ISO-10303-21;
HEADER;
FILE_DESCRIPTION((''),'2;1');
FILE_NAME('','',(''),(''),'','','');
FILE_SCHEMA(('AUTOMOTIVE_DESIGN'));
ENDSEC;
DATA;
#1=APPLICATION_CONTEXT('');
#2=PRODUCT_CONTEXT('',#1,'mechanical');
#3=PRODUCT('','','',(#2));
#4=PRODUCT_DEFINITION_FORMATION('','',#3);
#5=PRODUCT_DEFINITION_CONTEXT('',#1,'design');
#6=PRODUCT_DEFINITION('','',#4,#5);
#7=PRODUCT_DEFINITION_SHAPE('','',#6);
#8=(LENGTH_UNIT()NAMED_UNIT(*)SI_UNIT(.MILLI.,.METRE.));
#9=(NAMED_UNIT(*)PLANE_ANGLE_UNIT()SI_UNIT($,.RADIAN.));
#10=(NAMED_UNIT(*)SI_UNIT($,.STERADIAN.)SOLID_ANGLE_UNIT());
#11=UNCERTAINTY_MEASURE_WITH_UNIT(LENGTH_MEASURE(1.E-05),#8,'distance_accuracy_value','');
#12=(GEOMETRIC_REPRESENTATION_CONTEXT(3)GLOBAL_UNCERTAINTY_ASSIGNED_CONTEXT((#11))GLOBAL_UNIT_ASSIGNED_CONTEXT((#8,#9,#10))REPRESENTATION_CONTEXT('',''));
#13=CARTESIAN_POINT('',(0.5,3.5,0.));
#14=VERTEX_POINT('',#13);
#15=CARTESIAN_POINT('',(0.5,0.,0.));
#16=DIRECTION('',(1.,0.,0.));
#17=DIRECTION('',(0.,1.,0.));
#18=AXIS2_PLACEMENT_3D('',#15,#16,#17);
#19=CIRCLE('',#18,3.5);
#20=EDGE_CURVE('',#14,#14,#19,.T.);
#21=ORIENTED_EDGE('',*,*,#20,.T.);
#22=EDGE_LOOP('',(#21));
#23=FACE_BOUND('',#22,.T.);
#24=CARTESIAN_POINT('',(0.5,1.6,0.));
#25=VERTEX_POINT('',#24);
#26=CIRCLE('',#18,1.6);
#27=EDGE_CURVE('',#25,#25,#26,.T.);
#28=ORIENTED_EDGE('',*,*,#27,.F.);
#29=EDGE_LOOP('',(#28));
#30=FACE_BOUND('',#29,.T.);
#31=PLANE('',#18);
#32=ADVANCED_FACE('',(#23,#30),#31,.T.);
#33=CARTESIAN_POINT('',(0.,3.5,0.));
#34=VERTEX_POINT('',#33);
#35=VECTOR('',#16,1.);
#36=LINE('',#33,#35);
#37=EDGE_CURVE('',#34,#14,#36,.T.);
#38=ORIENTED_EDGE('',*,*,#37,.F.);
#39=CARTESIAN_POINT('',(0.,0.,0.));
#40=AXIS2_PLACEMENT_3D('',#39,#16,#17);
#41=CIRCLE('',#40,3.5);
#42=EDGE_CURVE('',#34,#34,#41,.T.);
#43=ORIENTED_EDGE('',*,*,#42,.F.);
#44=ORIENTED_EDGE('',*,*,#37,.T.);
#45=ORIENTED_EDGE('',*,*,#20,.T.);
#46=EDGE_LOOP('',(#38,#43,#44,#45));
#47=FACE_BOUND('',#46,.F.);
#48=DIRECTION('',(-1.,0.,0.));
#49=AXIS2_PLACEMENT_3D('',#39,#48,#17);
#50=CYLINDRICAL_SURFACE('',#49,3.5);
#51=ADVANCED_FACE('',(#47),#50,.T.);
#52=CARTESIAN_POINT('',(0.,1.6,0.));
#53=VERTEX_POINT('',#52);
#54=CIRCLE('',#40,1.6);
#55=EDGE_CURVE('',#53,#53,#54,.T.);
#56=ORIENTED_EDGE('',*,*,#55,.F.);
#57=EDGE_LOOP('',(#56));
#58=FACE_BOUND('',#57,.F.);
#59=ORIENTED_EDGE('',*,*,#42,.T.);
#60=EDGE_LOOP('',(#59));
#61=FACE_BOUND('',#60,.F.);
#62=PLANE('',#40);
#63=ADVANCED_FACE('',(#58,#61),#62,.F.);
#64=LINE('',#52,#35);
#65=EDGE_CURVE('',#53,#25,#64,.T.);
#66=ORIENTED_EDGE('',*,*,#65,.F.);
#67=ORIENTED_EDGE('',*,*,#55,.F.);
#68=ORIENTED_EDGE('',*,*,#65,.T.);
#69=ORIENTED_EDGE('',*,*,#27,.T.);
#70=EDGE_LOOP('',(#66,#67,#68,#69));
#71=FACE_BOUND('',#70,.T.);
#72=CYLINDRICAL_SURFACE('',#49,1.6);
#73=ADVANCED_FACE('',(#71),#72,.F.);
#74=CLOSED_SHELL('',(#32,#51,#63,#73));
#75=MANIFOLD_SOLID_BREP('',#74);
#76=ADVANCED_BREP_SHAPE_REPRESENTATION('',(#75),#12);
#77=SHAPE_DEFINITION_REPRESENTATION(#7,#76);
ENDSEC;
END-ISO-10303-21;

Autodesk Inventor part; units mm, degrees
ref_plane "YZ Plane" through (0, 0, 0) normal (1, 0, 0) x (0, 1, 0)
ref_plane "XZ Plane" through (0, 0, 0) normal (0, 1, 0) x (-1, 0, 0)
sketch "Skizze" plane through (0, 0, 0) normal (1, 0, 0) x (0, 1, 0)
  circle A0 centre (0, 0) radius 3.5
  circle A1 centre (0, 0) radius 1.6
  dimension "d0" = 3.2
  dimension "d1" = 7
extrude "Körper" add sketch "Skizze" along normal blind 0.5
ref_plane "Work Plane1" through (0, 0, 0) normal (0, 0, 1) x (1, 0, 0)
equation "\"d0\" = SD1"
equation "\"d1\" = SD2"
equation "\"d2\" = SD"
equation "\"SD1\" = 3.2"
equation "\"SD2\" = 7"
equation "\"SD\" = 0.5"
equation "\"NND\" = 3"
properties part number "ISO 7089 - 3" material "Edelstahl"
